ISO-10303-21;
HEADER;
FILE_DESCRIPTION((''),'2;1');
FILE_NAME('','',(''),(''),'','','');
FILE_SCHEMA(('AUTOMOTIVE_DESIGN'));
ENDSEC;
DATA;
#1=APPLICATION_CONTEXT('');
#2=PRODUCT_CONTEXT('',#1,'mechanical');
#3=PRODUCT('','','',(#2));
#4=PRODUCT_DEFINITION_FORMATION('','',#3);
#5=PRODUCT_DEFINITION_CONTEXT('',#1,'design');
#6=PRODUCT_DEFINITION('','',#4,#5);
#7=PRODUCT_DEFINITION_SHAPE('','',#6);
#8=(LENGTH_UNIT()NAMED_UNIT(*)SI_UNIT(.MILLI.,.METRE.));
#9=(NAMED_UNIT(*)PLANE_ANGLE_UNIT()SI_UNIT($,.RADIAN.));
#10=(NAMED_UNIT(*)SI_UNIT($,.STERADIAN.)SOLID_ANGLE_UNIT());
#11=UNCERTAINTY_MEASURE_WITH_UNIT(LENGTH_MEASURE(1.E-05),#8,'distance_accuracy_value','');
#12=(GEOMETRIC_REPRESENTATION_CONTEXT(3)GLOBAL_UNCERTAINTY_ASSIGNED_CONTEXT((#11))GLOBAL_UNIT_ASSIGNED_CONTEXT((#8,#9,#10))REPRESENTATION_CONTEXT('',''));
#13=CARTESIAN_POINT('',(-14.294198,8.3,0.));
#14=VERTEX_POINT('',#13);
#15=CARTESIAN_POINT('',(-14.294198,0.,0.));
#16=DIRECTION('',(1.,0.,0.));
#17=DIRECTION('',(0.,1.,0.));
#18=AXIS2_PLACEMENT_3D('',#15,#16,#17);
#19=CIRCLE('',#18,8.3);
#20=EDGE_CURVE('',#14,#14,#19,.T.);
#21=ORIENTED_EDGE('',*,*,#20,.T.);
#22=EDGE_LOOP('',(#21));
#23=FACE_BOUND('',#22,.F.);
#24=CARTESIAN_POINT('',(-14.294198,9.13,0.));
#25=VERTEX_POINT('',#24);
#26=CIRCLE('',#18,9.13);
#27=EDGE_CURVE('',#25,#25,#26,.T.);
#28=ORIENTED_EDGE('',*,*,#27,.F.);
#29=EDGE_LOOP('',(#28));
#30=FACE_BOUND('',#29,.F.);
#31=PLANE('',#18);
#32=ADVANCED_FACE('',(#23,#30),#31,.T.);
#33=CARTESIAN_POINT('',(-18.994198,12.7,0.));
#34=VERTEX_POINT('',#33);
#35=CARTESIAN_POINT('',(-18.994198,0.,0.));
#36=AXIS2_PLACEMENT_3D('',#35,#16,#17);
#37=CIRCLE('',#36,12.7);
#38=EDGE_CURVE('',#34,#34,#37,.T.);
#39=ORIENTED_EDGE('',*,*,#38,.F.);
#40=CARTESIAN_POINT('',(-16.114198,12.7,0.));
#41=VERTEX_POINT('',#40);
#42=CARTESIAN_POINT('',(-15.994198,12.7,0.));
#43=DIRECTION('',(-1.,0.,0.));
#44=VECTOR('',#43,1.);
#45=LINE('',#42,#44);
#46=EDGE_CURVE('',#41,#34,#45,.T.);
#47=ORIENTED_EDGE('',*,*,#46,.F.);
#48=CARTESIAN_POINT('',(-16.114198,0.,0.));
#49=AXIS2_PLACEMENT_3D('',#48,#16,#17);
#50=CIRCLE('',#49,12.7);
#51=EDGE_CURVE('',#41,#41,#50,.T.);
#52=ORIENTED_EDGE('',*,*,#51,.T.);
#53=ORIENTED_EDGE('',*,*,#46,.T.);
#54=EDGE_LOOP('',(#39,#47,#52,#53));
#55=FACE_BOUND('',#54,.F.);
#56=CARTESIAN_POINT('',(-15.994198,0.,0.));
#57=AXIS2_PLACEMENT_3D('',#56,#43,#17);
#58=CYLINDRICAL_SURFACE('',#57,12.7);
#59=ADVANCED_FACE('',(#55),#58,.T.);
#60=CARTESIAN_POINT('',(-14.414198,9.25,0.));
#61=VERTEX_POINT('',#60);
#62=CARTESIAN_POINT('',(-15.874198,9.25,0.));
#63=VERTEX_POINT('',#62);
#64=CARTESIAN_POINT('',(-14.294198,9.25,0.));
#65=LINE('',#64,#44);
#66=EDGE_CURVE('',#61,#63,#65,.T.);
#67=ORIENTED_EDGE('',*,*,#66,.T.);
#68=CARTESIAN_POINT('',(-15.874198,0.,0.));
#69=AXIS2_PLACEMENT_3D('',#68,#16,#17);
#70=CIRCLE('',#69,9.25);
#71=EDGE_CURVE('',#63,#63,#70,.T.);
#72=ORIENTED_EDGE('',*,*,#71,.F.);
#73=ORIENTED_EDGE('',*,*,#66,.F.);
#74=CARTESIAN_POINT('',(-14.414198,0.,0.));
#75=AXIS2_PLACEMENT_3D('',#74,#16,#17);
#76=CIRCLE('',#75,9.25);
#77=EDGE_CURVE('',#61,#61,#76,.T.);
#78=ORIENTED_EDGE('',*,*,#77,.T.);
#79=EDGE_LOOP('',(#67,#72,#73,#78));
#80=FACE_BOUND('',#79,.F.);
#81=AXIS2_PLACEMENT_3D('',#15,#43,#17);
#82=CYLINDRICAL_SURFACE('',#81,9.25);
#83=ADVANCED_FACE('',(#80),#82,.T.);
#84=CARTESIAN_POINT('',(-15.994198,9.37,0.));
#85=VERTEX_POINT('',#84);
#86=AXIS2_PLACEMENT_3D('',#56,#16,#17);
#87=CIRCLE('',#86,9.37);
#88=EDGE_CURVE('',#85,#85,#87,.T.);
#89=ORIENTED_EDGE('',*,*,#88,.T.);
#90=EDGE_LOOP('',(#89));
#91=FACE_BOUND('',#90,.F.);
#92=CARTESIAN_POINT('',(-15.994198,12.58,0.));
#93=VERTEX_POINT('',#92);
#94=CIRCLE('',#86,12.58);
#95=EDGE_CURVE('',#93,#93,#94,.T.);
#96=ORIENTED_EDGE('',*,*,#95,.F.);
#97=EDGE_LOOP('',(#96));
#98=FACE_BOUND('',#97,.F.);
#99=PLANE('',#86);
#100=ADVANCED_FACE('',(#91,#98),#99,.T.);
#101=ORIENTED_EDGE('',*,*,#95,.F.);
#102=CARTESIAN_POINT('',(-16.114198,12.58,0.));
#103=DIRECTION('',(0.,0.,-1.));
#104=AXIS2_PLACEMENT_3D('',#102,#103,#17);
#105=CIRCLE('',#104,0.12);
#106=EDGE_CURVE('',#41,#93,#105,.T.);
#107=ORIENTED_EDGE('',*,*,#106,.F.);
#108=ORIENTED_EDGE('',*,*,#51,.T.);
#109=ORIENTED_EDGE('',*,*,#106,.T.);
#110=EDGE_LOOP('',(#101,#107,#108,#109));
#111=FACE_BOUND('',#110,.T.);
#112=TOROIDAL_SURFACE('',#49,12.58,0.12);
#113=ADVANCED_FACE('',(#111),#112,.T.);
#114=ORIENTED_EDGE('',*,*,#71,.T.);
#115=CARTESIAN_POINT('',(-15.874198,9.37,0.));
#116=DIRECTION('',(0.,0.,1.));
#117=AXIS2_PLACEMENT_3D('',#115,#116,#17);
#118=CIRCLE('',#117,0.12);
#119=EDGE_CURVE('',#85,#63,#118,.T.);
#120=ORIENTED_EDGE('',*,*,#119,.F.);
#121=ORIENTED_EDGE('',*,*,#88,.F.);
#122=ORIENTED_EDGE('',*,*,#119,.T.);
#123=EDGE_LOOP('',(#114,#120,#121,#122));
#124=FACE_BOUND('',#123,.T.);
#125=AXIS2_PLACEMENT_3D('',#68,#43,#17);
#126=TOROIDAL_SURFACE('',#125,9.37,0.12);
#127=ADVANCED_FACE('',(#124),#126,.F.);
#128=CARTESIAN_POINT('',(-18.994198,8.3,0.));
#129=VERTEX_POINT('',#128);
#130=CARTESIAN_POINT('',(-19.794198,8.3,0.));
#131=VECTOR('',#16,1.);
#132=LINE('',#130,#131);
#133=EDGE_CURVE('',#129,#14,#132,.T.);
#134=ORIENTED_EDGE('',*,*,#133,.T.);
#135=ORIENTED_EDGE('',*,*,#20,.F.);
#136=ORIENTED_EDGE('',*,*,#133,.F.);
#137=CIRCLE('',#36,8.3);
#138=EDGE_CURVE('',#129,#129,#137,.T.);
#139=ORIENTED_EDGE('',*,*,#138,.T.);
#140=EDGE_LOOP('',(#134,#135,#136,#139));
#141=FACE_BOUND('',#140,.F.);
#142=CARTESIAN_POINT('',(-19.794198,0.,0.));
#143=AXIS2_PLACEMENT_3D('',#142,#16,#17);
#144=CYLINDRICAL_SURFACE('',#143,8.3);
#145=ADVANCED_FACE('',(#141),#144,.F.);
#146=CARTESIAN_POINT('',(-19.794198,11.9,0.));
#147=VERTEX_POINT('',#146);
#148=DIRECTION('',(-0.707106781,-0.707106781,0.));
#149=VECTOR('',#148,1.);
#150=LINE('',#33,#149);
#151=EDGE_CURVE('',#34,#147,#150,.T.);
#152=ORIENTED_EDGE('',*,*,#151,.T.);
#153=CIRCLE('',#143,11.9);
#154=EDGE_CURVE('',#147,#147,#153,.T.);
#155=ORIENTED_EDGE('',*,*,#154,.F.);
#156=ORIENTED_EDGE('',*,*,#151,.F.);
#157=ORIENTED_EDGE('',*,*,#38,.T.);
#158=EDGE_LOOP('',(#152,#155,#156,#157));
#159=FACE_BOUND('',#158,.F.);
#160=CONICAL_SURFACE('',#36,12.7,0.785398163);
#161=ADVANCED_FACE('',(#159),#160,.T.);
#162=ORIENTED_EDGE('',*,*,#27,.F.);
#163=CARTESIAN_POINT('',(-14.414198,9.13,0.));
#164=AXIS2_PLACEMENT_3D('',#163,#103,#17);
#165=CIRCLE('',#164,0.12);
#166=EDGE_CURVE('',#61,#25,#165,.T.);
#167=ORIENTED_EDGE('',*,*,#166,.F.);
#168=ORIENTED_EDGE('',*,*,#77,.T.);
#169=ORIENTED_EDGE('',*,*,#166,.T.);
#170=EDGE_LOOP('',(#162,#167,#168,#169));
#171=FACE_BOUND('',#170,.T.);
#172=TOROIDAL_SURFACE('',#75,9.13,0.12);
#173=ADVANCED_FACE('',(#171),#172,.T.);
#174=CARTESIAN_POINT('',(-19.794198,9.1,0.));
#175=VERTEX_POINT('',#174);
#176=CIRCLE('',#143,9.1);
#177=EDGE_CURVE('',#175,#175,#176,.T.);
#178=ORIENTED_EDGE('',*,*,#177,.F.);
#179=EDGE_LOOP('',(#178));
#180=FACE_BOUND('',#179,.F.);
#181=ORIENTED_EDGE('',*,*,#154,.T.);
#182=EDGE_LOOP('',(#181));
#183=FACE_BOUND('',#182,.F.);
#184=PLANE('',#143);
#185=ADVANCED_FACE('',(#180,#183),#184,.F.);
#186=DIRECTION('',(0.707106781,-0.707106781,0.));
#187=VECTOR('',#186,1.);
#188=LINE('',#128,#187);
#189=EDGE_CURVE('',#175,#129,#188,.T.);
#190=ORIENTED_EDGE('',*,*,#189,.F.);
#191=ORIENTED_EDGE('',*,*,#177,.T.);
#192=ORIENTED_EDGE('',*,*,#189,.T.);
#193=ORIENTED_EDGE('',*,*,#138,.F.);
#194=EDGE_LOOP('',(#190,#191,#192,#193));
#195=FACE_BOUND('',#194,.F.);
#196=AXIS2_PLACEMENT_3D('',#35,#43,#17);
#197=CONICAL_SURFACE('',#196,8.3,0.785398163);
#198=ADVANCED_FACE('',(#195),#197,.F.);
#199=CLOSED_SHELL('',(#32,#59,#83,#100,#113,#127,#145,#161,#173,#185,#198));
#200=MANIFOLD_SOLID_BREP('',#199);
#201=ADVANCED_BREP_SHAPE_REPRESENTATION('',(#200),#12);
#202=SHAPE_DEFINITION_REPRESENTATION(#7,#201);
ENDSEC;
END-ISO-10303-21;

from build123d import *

# Parameters (mm, degrees)
F2_SIZE = 0.8
F3_R    = 0.12


with BuildPart() as f1:
    # F0 (on Top) → F1 (revolve)
    with BuildSketch(Plane.XY):
        Polygon((-15.994198, 12.7), (-19.794198, 12.7), (-19.794198, 8.3), (-14.294198, 8.3), (-14.294198, 9.25), (-15.994198, 9.25), align=None)
    revolve(axis=Axis((-19.380304, 0, 0), (1, 0, 0)))

    # F2
    f2_edges = [f1.edges().sort_by_distance(p)[0] for p in [
        (-19.794198, -8.3, 0),
        (-19.794198, -12.7, 0),
    ]]
    chamfer(f2_edges, length=F2_SIZE)

    # F3
    f3_edges = [f1.edges().sort_by_distance(p)[0] for p in [
        (-15.994198, -9.25, 0),
        (-14.294198, -9.25, 0),
        (-15.994198, -12.7, 0),
    ]]
    fillet(f3_edges, radius=F3_R)


solid = f1.part
